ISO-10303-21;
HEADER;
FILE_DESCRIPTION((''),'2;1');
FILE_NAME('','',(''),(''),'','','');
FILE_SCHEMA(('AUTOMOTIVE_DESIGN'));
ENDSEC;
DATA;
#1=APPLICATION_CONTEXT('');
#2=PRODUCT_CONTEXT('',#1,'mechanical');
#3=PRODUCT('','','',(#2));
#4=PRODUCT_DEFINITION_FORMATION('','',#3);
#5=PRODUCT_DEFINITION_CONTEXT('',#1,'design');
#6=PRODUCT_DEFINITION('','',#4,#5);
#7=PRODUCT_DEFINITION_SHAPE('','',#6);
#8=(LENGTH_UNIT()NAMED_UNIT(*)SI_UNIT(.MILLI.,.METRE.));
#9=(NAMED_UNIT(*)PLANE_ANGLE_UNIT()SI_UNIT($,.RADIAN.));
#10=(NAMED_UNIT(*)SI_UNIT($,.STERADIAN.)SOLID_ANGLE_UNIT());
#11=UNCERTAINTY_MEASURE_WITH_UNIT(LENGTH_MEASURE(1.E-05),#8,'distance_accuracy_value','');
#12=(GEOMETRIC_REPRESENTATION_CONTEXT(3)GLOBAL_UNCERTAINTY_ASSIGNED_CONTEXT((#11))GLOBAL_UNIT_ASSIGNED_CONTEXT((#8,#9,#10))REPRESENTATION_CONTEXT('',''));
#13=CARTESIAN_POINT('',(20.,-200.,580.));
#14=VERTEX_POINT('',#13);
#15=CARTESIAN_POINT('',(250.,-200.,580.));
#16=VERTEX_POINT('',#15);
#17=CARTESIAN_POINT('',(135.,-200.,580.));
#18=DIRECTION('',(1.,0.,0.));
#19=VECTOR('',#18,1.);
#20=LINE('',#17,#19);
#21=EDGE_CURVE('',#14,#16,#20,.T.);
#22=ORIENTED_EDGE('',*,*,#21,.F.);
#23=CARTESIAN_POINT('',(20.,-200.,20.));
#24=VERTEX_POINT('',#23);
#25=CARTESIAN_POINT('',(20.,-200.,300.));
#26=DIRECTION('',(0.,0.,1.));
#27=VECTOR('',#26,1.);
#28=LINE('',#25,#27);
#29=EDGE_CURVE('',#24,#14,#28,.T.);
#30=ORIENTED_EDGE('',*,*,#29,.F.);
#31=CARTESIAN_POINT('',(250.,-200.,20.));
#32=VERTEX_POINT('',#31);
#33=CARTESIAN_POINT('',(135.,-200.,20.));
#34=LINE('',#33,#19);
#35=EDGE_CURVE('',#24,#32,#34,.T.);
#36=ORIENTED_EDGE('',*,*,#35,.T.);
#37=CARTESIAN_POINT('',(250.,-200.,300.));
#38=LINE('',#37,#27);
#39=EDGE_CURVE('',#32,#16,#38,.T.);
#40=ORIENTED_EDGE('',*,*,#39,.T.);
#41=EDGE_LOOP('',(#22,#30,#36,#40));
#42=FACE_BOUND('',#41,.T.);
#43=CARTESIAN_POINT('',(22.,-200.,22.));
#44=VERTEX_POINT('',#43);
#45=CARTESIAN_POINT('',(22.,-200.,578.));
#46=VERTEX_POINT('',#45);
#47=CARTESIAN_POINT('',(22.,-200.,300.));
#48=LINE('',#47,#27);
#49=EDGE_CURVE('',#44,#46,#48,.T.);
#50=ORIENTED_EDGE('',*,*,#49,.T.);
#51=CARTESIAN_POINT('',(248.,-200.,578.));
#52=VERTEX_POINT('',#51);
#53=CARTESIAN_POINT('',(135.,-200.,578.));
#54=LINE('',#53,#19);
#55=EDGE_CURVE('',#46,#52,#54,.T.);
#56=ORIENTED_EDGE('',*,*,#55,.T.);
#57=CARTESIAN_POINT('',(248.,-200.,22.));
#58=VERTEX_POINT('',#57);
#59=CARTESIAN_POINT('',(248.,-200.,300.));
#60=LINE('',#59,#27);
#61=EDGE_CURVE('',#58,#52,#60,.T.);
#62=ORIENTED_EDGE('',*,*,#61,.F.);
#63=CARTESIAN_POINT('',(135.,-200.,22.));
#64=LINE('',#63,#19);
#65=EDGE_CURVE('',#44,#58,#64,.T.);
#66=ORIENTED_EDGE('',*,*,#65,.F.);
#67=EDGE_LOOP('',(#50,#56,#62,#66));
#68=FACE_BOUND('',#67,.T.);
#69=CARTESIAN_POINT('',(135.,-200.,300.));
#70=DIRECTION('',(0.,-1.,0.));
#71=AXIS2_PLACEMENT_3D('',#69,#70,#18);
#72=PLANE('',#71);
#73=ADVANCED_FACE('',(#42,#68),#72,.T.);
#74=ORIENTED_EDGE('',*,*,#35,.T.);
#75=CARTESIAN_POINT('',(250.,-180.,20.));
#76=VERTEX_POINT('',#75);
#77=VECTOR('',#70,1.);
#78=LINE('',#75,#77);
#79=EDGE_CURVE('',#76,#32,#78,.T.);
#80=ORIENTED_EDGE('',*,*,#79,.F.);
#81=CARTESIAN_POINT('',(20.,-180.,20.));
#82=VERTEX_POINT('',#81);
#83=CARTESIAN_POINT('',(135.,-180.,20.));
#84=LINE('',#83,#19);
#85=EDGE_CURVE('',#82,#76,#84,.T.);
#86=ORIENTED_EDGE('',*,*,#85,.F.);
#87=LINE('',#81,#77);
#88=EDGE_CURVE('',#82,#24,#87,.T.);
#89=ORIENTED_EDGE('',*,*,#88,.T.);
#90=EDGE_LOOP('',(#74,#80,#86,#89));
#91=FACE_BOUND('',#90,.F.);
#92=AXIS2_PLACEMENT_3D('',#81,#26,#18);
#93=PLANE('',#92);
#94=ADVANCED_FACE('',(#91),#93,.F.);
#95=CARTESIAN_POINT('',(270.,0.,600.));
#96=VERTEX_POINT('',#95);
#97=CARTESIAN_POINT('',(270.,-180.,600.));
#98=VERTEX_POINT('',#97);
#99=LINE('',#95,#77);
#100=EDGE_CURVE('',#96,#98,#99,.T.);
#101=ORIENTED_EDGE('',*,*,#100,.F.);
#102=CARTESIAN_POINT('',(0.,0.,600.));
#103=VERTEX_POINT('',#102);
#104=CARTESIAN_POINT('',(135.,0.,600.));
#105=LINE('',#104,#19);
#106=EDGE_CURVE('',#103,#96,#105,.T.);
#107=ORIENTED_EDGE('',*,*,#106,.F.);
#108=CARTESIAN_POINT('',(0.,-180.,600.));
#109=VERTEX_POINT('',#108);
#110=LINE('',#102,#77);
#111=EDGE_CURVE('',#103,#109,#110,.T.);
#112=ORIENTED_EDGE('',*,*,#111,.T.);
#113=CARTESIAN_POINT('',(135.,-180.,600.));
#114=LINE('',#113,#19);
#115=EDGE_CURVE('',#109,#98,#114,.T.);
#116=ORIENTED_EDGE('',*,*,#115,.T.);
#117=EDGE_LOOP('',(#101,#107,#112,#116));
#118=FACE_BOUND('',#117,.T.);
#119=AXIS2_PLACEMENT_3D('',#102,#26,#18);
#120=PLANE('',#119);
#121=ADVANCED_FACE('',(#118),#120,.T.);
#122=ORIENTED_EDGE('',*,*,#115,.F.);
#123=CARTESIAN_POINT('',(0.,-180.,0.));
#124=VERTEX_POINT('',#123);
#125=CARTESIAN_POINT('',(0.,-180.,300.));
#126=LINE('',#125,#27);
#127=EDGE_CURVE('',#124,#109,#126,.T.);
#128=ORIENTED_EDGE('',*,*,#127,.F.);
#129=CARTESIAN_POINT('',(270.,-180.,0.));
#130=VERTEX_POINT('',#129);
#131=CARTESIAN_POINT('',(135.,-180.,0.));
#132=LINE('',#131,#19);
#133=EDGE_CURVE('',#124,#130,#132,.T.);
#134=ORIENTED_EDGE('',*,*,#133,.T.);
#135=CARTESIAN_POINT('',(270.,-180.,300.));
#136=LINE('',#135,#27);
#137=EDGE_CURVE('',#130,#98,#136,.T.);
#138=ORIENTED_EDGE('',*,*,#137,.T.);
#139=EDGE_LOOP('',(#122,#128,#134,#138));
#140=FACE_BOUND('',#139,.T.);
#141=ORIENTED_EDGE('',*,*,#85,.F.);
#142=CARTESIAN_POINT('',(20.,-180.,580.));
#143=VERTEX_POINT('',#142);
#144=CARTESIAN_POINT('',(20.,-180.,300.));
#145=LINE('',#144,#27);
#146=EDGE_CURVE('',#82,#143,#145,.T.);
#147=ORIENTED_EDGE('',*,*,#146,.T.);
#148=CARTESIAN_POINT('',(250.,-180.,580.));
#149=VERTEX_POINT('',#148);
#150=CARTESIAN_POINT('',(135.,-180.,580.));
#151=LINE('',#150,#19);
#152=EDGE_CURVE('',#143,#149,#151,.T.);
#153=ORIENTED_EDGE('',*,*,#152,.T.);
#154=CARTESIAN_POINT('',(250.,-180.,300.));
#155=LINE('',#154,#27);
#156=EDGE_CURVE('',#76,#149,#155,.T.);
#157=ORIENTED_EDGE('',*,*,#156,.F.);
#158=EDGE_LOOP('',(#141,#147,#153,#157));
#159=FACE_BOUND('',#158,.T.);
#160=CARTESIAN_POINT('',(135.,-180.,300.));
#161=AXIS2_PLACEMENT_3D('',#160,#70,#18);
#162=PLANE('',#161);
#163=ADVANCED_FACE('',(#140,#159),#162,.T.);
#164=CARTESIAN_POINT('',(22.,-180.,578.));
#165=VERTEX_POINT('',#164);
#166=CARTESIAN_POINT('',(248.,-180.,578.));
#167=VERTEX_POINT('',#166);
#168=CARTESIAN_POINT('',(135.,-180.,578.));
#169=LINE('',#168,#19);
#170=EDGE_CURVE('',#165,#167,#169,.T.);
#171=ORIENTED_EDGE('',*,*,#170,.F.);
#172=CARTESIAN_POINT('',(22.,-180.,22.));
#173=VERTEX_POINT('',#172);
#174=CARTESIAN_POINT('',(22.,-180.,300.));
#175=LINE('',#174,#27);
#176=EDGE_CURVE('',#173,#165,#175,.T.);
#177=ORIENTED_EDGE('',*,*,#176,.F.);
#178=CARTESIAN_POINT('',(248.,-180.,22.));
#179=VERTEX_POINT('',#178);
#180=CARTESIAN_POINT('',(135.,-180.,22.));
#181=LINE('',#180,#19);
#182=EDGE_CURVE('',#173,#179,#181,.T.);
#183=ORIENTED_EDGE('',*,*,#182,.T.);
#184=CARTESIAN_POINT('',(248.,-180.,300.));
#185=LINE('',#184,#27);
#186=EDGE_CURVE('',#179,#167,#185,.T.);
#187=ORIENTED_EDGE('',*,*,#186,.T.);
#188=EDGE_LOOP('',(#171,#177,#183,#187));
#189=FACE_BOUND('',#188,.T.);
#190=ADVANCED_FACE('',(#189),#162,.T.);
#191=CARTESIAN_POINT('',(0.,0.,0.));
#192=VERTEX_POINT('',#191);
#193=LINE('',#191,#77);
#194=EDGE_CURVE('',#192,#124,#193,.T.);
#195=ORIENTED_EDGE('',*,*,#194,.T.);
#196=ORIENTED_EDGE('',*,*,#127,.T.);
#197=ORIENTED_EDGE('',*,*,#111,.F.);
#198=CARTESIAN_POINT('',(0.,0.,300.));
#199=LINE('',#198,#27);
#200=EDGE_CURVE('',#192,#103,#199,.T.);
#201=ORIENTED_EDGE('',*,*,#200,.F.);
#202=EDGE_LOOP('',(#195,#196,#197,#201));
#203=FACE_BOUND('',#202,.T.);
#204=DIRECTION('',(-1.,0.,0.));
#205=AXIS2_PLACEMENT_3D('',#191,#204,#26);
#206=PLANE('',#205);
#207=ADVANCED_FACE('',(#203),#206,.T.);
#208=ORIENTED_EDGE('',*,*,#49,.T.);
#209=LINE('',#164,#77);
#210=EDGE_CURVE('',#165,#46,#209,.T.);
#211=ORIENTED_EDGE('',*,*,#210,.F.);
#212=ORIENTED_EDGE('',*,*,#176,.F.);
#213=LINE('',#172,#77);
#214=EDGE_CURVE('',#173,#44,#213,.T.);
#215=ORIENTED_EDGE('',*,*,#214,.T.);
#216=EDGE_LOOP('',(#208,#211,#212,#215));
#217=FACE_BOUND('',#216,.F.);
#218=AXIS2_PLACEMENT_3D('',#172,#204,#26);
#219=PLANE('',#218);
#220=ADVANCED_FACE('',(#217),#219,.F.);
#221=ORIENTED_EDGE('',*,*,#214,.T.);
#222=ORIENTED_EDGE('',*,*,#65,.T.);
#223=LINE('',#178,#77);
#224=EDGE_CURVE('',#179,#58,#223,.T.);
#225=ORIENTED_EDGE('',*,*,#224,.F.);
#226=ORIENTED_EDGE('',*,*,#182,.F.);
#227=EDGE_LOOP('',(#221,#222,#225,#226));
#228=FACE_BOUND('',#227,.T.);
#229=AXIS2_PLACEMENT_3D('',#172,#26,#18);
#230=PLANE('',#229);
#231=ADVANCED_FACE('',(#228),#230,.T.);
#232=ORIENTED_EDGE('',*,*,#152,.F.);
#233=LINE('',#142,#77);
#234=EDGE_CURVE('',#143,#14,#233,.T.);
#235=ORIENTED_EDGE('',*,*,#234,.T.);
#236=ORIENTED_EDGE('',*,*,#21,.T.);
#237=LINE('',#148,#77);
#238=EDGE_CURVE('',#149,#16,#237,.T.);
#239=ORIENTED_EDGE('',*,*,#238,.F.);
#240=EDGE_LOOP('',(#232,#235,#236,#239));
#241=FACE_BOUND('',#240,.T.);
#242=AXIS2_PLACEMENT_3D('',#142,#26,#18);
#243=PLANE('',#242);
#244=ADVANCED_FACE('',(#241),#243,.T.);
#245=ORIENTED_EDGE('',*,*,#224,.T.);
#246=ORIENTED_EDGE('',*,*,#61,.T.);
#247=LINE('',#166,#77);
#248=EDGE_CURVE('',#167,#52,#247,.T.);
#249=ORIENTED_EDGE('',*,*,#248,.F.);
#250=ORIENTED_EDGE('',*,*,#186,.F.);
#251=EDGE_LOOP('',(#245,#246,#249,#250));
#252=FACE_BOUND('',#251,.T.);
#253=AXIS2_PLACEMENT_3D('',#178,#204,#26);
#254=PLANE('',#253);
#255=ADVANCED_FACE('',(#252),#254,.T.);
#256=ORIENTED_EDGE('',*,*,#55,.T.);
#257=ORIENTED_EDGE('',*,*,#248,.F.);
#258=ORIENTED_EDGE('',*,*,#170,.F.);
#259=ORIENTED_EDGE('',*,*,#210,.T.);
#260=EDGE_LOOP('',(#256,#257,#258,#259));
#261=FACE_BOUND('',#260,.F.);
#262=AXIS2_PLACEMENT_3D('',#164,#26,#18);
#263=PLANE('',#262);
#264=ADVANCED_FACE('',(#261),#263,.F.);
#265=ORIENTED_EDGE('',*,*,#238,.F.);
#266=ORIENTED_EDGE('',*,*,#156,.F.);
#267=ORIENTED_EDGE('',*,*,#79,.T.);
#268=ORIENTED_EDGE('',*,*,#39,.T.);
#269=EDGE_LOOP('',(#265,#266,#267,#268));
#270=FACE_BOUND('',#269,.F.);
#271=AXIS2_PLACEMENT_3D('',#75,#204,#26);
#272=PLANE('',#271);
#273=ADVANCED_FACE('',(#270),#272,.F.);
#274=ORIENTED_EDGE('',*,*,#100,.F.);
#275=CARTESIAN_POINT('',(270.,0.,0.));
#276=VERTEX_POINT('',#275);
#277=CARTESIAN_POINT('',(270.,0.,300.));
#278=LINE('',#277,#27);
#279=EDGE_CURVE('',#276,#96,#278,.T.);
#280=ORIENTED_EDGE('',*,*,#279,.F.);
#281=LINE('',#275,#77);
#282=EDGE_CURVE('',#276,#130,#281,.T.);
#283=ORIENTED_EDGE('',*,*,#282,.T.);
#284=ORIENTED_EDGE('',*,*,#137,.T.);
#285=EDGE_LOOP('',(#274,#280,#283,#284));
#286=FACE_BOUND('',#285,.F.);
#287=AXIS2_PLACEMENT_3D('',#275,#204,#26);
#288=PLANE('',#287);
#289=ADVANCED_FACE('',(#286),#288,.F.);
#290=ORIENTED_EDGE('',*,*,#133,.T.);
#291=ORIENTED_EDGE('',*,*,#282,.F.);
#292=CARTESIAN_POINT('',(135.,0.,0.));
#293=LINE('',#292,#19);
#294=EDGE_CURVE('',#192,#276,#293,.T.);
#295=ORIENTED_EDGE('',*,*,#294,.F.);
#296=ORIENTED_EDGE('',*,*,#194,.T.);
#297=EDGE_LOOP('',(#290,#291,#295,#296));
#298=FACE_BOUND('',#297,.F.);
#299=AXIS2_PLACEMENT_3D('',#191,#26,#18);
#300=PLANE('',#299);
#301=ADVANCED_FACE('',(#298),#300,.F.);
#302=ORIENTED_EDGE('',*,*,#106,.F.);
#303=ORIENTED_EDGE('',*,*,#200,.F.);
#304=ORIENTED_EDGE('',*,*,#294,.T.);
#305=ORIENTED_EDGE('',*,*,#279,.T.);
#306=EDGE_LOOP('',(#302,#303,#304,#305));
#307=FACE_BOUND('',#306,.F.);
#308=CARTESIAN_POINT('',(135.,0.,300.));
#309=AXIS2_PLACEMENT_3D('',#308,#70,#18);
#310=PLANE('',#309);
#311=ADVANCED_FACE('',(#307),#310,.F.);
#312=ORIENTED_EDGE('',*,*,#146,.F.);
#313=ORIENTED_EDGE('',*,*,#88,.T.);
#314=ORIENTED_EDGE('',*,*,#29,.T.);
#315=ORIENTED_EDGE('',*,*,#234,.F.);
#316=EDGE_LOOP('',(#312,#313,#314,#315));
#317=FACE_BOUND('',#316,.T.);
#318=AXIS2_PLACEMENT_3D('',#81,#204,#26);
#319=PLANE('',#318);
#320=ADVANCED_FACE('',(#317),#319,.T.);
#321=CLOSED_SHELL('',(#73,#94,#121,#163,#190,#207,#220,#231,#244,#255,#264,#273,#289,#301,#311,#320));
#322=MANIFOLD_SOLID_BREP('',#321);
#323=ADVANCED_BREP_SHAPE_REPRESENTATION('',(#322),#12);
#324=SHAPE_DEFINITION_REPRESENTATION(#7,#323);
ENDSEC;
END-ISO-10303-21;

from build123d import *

# Parameters (mm, degrees)
F0_W     = 270
F0_H     = 600
F1_DEPTH = 180
F2_W     = 230
F2_H     = 560
F2_W_2   = 226
F2_H_2   = 556
F3_DEPTH = 20


with BuildPart() as f1:
    # F0 (on Front) → F1 (new body)
    with BuildSketch(Plane.XZ):
        with Locations((135, 300)):
            Rectangle(F0_W, F0_H)
    extrude(amount=F1_DEPTH)

    # F2 (on face) → F3 (join)
    with BuildSketch(Plane.XZ.offset(180)):
        with Locations((135, 300)):
            Rectangle(F2_W, F2_H)
        with Locations((135, 300)):
            Rectangle(F2_W_2, F2_H_2, mode=Mode.SUBTRACT)
    extrude(amount=F3_DEPTH)


solid = f1.part
